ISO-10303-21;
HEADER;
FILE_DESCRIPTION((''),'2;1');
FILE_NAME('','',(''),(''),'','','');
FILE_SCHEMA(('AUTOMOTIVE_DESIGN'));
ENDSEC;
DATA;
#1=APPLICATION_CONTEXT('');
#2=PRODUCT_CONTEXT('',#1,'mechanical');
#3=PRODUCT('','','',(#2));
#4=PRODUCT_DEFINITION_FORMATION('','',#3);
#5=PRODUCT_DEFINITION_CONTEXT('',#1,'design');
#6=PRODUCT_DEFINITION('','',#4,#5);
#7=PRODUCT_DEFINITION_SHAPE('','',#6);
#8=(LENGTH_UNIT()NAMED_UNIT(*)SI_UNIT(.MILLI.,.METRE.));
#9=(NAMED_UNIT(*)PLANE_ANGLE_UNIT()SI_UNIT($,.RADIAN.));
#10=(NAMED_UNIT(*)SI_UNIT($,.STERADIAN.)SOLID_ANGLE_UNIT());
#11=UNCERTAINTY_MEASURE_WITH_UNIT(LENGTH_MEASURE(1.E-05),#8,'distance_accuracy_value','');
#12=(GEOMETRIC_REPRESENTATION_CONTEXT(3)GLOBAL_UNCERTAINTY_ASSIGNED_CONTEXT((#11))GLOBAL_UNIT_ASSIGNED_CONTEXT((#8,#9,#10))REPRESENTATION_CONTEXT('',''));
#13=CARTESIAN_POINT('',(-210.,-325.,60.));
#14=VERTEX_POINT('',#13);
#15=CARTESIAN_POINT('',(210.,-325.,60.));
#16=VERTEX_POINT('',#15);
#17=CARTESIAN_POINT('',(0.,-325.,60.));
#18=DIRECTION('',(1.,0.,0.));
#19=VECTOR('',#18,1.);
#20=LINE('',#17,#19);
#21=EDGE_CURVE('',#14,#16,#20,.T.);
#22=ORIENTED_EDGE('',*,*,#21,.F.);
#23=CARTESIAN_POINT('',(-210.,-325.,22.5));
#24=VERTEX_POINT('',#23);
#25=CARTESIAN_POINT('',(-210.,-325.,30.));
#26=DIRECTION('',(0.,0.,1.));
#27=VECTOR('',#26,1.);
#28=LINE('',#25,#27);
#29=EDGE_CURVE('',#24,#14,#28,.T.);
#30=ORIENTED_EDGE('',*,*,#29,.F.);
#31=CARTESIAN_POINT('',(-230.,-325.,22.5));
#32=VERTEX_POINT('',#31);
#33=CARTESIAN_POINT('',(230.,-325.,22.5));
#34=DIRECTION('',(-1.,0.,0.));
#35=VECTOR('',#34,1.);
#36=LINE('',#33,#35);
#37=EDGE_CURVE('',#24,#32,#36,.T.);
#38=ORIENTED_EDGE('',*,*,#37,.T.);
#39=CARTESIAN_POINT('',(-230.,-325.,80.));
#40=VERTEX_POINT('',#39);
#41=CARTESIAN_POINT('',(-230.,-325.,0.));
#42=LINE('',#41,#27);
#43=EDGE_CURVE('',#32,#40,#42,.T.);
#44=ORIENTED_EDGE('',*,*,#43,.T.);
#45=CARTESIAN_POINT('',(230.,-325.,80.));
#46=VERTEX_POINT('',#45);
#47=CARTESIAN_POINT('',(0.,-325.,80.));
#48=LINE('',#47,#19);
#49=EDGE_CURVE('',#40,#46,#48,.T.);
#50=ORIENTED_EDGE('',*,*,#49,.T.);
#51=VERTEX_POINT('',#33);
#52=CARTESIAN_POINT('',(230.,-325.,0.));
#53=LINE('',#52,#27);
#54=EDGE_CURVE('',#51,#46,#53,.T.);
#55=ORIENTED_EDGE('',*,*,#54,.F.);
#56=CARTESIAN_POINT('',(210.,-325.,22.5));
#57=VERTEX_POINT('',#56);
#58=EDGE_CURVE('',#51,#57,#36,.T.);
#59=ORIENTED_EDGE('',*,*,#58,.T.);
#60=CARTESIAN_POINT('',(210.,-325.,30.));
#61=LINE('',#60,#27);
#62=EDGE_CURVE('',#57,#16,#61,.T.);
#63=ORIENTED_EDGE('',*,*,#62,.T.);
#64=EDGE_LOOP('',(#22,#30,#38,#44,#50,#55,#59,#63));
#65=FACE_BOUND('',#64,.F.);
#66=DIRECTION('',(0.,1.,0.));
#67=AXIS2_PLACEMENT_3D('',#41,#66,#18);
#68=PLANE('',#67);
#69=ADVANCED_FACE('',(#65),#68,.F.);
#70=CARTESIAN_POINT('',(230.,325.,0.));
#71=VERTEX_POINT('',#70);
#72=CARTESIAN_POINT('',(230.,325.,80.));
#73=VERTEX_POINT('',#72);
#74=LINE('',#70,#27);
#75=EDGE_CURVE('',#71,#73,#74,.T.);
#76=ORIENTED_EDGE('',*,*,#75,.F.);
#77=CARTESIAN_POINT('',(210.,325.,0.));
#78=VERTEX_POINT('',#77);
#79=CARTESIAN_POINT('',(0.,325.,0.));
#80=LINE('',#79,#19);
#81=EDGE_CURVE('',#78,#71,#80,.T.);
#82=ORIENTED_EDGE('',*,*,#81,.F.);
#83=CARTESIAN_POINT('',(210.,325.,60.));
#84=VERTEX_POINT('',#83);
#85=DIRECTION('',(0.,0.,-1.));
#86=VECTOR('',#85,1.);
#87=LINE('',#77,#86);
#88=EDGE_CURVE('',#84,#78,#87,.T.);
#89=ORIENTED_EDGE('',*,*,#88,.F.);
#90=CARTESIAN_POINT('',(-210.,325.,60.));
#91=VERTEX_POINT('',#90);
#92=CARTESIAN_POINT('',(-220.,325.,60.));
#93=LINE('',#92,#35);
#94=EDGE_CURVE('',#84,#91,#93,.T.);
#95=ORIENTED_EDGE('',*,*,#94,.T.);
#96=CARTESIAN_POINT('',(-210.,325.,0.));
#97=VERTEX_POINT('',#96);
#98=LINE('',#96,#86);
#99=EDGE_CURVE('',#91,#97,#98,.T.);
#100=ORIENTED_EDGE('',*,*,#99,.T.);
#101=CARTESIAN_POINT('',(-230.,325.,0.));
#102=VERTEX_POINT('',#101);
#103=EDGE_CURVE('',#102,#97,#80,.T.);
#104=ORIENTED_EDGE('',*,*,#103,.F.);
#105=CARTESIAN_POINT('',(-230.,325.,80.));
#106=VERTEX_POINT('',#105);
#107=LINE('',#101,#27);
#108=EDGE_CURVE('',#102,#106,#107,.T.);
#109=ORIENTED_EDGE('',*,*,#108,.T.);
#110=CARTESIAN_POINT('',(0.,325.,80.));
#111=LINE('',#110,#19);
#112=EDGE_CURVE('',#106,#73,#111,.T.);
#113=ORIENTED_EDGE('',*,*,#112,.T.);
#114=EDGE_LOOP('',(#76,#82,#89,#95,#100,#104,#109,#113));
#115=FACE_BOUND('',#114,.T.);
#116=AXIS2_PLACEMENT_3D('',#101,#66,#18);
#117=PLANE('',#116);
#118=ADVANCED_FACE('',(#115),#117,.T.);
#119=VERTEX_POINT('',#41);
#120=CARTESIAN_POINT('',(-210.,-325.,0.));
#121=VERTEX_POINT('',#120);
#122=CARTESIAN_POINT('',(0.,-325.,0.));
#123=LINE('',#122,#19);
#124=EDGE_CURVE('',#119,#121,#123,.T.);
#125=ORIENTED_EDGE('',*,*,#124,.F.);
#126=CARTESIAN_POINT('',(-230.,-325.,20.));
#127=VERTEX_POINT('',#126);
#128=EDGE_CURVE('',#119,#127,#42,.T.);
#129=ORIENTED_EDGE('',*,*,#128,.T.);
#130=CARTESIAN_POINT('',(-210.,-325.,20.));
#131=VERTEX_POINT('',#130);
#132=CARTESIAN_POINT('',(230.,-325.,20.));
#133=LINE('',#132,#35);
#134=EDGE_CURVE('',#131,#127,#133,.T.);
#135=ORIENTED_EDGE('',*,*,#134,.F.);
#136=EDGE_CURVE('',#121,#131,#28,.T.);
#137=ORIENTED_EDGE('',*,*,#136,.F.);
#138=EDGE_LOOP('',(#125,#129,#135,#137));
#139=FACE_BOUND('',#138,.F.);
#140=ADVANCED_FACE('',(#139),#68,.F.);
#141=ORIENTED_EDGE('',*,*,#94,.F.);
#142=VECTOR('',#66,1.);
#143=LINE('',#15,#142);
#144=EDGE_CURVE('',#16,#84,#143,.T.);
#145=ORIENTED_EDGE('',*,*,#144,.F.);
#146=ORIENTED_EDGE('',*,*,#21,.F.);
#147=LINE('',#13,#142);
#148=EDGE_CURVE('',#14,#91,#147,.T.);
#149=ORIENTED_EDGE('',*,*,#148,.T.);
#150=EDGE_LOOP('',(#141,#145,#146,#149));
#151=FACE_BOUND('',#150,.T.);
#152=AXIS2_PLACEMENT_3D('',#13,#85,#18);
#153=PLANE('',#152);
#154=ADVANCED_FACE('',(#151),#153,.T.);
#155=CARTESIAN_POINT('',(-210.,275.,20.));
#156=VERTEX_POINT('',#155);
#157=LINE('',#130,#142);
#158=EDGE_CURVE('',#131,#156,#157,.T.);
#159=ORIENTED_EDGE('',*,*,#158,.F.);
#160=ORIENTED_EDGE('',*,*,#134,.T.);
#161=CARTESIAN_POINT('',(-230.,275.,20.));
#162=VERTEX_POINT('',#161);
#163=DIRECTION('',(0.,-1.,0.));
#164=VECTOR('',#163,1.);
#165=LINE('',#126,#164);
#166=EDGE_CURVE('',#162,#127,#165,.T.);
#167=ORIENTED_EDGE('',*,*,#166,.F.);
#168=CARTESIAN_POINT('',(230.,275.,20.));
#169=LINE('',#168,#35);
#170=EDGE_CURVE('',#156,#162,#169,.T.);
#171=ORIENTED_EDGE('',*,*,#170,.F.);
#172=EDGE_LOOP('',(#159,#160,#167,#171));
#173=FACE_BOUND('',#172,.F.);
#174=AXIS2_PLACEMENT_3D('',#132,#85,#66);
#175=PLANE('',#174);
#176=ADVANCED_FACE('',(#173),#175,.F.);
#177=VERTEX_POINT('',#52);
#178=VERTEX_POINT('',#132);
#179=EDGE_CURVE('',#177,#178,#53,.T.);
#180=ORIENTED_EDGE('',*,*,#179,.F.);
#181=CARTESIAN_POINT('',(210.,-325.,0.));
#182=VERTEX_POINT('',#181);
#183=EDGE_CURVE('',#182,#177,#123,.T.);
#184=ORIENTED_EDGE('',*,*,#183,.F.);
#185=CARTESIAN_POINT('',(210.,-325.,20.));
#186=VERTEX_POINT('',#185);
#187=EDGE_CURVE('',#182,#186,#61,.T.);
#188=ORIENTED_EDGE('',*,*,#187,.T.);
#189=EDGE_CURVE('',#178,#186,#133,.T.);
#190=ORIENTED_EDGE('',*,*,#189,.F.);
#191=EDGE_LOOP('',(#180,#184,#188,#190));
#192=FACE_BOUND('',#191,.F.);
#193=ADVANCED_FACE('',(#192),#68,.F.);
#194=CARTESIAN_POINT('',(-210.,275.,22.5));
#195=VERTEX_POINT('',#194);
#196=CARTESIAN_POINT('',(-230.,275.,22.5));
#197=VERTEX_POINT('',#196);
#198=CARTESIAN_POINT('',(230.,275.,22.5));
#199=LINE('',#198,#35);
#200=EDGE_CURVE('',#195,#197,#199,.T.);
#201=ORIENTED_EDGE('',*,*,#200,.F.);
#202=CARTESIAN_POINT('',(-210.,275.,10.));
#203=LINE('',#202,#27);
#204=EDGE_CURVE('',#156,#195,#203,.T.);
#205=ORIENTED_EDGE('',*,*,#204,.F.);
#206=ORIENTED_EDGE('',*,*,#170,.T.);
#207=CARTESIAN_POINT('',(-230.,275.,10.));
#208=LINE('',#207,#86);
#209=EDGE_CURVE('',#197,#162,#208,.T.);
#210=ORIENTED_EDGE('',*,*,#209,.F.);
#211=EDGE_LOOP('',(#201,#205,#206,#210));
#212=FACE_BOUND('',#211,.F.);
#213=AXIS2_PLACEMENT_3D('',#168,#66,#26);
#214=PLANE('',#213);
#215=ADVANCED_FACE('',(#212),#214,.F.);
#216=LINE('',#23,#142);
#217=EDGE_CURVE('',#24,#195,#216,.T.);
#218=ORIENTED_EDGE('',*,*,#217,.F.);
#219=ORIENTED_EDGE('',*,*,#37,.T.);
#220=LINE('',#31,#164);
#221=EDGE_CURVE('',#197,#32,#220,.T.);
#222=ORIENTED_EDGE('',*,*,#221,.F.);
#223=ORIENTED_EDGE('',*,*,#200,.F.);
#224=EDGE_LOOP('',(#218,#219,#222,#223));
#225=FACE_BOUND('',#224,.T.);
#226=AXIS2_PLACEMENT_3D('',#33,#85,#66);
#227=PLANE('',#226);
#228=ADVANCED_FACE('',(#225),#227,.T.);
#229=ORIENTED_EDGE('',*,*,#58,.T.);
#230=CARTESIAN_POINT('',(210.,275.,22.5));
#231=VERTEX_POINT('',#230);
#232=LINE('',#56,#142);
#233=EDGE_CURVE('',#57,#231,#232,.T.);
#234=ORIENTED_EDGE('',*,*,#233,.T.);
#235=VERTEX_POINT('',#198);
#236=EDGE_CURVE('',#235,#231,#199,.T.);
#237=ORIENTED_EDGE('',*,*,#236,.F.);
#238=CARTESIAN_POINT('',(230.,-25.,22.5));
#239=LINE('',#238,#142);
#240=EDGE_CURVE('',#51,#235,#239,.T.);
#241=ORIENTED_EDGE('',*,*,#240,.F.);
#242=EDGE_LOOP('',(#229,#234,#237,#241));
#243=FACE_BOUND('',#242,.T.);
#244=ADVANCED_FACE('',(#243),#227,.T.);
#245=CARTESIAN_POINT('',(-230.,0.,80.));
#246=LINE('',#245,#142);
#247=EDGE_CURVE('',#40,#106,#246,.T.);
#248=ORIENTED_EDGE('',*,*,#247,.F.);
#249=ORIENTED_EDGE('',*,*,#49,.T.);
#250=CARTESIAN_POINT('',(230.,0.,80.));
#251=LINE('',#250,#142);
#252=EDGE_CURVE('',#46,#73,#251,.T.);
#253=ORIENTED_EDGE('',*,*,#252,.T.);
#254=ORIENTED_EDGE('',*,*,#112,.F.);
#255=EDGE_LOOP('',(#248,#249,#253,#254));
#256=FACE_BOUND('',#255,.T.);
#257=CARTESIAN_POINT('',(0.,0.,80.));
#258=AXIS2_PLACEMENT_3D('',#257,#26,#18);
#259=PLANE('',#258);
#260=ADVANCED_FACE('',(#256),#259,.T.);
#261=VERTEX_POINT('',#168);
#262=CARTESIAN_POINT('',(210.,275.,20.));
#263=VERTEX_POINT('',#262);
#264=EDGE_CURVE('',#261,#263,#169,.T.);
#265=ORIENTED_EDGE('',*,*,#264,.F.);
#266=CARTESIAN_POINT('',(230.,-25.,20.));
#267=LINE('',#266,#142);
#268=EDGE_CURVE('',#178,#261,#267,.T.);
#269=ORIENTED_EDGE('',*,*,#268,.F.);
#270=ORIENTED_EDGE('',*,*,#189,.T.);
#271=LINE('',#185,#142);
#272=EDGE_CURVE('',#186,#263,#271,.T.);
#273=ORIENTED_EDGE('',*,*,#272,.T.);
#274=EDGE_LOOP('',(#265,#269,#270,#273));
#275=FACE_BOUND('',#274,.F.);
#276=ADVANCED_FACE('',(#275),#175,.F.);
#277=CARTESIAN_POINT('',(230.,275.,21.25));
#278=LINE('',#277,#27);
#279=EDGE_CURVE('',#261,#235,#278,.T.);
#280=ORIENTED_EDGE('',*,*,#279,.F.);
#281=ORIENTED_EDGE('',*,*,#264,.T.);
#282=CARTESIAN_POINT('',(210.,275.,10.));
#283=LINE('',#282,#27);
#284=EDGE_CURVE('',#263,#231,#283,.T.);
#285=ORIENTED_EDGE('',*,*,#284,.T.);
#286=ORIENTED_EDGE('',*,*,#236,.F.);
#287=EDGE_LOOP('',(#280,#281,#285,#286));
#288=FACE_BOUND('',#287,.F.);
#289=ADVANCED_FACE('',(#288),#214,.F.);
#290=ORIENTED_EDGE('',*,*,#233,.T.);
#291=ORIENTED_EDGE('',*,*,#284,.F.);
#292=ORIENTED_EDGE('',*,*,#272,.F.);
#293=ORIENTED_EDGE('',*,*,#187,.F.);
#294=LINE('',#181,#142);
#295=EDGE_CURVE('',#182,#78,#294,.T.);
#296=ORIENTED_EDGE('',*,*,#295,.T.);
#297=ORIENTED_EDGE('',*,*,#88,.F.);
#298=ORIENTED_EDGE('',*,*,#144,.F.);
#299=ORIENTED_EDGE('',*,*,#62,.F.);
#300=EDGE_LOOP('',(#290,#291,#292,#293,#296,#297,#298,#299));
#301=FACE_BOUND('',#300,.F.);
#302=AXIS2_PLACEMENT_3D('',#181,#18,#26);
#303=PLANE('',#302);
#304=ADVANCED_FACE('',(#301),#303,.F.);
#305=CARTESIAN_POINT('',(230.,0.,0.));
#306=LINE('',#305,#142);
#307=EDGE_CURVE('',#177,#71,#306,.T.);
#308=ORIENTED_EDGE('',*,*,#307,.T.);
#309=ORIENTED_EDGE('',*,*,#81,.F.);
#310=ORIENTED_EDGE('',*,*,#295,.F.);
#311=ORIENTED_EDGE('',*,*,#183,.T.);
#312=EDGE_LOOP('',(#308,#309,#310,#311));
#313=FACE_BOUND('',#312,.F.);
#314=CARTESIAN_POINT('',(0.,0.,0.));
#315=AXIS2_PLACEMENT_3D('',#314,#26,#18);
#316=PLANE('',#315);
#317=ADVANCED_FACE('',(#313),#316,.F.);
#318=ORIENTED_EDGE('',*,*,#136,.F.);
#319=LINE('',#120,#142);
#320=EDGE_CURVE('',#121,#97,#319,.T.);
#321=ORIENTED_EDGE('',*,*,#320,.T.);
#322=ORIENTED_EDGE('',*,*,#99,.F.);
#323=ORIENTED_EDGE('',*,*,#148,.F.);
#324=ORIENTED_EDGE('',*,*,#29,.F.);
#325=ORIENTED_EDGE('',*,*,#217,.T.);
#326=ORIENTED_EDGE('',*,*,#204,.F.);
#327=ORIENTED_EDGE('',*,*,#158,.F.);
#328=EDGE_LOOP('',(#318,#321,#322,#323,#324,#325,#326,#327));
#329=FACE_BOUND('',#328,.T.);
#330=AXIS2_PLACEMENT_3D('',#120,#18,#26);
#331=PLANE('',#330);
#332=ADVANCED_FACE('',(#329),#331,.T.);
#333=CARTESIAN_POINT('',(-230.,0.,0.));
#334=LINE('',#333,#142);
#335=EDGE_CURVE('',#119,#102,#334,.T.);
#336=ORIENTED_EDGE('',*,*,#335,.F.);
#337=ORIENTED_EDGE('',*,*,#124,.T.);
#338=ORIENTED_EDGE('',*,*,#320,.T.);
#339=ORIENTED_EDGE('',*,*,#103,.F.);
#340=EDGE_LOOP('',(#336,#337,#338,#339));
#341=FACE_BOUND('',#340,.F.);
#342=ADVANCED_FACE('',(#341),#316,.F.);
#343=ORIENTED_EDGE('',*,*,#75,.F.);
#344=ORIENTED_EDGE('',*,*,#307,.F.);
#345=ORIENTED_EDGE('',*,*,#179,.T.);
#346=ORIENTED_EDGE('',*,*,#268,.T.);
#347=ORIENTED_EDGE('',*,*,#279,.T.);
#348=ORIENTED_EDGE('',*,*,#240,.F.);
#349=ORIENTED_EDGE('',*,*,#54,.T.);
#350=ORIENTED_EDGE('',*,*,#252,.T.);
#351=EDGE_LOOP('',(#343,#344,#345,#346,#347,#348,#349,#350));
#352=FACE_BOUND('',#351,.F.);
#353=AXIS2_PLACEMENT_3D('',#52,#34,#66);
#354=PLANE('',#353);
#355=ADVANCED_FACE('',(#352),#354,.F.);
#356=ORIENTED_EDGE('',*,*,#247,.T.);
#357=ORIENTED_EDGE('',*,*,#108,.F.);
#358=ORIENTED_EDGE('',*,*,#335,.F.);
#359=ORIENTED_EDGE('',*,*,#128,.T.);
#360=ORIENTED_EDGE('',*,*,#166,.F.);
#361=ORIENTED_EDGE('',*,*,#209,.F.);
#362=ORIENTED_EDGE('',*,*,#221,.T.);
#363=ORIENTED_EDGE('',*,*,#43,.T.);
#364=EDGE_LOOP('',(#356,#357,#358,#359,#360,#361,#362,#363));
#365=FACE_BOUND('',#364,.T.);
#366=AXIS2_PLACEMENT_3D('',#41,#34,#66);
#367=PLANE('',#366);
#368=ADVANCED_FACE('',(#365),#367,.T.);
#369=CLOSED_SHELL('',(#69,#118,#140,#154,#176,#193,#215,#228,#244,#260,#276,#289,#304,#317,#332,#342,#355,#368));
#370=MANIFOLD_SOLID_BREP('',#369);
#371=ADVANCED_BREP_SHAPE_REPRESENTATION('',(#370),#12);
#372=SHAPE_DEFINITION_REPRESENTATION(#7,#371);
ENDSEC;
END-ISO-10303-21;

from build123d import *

# Parameters (mm, degrees)
F0_W     = 460
F0_H     = 650
F1_DEPTH = 80
F2_W     = 420
F2_H     = 60
F3_DEPTH = 650.001
F4_W     = 600
F4_H     = 2.5
F5_DEPTH = 460.001


with BuildPart() as f1:
    # F0 (on Top) → F1 (new body)
    with BuildSketch(Plane.XY):
        Rectangle(F0_W, F0_H)
    extrude(amount=F1_DEPTH)

    # F2 (on face) → F3 (cut, through all)
    with BuildSketch(Plane.XZ.offset(325)):
        with Locations((0, 30)):
            Rectangle(F2_W, F2_H)
    extrude(amount=-F3_DEPTH, mode=Mode.SUBTRACT)

    # F4 (on face) → F5 (cut, through all)
    with BuildSketch(Plane.YZ.offset(230)):
        with Locations((-25, 21.25)):
            Rectangle(F4_W, F4_H)
    extrude(amount=-F5_DEPTH, mode=Mode.SUBTRACT)


solid = f1.part
